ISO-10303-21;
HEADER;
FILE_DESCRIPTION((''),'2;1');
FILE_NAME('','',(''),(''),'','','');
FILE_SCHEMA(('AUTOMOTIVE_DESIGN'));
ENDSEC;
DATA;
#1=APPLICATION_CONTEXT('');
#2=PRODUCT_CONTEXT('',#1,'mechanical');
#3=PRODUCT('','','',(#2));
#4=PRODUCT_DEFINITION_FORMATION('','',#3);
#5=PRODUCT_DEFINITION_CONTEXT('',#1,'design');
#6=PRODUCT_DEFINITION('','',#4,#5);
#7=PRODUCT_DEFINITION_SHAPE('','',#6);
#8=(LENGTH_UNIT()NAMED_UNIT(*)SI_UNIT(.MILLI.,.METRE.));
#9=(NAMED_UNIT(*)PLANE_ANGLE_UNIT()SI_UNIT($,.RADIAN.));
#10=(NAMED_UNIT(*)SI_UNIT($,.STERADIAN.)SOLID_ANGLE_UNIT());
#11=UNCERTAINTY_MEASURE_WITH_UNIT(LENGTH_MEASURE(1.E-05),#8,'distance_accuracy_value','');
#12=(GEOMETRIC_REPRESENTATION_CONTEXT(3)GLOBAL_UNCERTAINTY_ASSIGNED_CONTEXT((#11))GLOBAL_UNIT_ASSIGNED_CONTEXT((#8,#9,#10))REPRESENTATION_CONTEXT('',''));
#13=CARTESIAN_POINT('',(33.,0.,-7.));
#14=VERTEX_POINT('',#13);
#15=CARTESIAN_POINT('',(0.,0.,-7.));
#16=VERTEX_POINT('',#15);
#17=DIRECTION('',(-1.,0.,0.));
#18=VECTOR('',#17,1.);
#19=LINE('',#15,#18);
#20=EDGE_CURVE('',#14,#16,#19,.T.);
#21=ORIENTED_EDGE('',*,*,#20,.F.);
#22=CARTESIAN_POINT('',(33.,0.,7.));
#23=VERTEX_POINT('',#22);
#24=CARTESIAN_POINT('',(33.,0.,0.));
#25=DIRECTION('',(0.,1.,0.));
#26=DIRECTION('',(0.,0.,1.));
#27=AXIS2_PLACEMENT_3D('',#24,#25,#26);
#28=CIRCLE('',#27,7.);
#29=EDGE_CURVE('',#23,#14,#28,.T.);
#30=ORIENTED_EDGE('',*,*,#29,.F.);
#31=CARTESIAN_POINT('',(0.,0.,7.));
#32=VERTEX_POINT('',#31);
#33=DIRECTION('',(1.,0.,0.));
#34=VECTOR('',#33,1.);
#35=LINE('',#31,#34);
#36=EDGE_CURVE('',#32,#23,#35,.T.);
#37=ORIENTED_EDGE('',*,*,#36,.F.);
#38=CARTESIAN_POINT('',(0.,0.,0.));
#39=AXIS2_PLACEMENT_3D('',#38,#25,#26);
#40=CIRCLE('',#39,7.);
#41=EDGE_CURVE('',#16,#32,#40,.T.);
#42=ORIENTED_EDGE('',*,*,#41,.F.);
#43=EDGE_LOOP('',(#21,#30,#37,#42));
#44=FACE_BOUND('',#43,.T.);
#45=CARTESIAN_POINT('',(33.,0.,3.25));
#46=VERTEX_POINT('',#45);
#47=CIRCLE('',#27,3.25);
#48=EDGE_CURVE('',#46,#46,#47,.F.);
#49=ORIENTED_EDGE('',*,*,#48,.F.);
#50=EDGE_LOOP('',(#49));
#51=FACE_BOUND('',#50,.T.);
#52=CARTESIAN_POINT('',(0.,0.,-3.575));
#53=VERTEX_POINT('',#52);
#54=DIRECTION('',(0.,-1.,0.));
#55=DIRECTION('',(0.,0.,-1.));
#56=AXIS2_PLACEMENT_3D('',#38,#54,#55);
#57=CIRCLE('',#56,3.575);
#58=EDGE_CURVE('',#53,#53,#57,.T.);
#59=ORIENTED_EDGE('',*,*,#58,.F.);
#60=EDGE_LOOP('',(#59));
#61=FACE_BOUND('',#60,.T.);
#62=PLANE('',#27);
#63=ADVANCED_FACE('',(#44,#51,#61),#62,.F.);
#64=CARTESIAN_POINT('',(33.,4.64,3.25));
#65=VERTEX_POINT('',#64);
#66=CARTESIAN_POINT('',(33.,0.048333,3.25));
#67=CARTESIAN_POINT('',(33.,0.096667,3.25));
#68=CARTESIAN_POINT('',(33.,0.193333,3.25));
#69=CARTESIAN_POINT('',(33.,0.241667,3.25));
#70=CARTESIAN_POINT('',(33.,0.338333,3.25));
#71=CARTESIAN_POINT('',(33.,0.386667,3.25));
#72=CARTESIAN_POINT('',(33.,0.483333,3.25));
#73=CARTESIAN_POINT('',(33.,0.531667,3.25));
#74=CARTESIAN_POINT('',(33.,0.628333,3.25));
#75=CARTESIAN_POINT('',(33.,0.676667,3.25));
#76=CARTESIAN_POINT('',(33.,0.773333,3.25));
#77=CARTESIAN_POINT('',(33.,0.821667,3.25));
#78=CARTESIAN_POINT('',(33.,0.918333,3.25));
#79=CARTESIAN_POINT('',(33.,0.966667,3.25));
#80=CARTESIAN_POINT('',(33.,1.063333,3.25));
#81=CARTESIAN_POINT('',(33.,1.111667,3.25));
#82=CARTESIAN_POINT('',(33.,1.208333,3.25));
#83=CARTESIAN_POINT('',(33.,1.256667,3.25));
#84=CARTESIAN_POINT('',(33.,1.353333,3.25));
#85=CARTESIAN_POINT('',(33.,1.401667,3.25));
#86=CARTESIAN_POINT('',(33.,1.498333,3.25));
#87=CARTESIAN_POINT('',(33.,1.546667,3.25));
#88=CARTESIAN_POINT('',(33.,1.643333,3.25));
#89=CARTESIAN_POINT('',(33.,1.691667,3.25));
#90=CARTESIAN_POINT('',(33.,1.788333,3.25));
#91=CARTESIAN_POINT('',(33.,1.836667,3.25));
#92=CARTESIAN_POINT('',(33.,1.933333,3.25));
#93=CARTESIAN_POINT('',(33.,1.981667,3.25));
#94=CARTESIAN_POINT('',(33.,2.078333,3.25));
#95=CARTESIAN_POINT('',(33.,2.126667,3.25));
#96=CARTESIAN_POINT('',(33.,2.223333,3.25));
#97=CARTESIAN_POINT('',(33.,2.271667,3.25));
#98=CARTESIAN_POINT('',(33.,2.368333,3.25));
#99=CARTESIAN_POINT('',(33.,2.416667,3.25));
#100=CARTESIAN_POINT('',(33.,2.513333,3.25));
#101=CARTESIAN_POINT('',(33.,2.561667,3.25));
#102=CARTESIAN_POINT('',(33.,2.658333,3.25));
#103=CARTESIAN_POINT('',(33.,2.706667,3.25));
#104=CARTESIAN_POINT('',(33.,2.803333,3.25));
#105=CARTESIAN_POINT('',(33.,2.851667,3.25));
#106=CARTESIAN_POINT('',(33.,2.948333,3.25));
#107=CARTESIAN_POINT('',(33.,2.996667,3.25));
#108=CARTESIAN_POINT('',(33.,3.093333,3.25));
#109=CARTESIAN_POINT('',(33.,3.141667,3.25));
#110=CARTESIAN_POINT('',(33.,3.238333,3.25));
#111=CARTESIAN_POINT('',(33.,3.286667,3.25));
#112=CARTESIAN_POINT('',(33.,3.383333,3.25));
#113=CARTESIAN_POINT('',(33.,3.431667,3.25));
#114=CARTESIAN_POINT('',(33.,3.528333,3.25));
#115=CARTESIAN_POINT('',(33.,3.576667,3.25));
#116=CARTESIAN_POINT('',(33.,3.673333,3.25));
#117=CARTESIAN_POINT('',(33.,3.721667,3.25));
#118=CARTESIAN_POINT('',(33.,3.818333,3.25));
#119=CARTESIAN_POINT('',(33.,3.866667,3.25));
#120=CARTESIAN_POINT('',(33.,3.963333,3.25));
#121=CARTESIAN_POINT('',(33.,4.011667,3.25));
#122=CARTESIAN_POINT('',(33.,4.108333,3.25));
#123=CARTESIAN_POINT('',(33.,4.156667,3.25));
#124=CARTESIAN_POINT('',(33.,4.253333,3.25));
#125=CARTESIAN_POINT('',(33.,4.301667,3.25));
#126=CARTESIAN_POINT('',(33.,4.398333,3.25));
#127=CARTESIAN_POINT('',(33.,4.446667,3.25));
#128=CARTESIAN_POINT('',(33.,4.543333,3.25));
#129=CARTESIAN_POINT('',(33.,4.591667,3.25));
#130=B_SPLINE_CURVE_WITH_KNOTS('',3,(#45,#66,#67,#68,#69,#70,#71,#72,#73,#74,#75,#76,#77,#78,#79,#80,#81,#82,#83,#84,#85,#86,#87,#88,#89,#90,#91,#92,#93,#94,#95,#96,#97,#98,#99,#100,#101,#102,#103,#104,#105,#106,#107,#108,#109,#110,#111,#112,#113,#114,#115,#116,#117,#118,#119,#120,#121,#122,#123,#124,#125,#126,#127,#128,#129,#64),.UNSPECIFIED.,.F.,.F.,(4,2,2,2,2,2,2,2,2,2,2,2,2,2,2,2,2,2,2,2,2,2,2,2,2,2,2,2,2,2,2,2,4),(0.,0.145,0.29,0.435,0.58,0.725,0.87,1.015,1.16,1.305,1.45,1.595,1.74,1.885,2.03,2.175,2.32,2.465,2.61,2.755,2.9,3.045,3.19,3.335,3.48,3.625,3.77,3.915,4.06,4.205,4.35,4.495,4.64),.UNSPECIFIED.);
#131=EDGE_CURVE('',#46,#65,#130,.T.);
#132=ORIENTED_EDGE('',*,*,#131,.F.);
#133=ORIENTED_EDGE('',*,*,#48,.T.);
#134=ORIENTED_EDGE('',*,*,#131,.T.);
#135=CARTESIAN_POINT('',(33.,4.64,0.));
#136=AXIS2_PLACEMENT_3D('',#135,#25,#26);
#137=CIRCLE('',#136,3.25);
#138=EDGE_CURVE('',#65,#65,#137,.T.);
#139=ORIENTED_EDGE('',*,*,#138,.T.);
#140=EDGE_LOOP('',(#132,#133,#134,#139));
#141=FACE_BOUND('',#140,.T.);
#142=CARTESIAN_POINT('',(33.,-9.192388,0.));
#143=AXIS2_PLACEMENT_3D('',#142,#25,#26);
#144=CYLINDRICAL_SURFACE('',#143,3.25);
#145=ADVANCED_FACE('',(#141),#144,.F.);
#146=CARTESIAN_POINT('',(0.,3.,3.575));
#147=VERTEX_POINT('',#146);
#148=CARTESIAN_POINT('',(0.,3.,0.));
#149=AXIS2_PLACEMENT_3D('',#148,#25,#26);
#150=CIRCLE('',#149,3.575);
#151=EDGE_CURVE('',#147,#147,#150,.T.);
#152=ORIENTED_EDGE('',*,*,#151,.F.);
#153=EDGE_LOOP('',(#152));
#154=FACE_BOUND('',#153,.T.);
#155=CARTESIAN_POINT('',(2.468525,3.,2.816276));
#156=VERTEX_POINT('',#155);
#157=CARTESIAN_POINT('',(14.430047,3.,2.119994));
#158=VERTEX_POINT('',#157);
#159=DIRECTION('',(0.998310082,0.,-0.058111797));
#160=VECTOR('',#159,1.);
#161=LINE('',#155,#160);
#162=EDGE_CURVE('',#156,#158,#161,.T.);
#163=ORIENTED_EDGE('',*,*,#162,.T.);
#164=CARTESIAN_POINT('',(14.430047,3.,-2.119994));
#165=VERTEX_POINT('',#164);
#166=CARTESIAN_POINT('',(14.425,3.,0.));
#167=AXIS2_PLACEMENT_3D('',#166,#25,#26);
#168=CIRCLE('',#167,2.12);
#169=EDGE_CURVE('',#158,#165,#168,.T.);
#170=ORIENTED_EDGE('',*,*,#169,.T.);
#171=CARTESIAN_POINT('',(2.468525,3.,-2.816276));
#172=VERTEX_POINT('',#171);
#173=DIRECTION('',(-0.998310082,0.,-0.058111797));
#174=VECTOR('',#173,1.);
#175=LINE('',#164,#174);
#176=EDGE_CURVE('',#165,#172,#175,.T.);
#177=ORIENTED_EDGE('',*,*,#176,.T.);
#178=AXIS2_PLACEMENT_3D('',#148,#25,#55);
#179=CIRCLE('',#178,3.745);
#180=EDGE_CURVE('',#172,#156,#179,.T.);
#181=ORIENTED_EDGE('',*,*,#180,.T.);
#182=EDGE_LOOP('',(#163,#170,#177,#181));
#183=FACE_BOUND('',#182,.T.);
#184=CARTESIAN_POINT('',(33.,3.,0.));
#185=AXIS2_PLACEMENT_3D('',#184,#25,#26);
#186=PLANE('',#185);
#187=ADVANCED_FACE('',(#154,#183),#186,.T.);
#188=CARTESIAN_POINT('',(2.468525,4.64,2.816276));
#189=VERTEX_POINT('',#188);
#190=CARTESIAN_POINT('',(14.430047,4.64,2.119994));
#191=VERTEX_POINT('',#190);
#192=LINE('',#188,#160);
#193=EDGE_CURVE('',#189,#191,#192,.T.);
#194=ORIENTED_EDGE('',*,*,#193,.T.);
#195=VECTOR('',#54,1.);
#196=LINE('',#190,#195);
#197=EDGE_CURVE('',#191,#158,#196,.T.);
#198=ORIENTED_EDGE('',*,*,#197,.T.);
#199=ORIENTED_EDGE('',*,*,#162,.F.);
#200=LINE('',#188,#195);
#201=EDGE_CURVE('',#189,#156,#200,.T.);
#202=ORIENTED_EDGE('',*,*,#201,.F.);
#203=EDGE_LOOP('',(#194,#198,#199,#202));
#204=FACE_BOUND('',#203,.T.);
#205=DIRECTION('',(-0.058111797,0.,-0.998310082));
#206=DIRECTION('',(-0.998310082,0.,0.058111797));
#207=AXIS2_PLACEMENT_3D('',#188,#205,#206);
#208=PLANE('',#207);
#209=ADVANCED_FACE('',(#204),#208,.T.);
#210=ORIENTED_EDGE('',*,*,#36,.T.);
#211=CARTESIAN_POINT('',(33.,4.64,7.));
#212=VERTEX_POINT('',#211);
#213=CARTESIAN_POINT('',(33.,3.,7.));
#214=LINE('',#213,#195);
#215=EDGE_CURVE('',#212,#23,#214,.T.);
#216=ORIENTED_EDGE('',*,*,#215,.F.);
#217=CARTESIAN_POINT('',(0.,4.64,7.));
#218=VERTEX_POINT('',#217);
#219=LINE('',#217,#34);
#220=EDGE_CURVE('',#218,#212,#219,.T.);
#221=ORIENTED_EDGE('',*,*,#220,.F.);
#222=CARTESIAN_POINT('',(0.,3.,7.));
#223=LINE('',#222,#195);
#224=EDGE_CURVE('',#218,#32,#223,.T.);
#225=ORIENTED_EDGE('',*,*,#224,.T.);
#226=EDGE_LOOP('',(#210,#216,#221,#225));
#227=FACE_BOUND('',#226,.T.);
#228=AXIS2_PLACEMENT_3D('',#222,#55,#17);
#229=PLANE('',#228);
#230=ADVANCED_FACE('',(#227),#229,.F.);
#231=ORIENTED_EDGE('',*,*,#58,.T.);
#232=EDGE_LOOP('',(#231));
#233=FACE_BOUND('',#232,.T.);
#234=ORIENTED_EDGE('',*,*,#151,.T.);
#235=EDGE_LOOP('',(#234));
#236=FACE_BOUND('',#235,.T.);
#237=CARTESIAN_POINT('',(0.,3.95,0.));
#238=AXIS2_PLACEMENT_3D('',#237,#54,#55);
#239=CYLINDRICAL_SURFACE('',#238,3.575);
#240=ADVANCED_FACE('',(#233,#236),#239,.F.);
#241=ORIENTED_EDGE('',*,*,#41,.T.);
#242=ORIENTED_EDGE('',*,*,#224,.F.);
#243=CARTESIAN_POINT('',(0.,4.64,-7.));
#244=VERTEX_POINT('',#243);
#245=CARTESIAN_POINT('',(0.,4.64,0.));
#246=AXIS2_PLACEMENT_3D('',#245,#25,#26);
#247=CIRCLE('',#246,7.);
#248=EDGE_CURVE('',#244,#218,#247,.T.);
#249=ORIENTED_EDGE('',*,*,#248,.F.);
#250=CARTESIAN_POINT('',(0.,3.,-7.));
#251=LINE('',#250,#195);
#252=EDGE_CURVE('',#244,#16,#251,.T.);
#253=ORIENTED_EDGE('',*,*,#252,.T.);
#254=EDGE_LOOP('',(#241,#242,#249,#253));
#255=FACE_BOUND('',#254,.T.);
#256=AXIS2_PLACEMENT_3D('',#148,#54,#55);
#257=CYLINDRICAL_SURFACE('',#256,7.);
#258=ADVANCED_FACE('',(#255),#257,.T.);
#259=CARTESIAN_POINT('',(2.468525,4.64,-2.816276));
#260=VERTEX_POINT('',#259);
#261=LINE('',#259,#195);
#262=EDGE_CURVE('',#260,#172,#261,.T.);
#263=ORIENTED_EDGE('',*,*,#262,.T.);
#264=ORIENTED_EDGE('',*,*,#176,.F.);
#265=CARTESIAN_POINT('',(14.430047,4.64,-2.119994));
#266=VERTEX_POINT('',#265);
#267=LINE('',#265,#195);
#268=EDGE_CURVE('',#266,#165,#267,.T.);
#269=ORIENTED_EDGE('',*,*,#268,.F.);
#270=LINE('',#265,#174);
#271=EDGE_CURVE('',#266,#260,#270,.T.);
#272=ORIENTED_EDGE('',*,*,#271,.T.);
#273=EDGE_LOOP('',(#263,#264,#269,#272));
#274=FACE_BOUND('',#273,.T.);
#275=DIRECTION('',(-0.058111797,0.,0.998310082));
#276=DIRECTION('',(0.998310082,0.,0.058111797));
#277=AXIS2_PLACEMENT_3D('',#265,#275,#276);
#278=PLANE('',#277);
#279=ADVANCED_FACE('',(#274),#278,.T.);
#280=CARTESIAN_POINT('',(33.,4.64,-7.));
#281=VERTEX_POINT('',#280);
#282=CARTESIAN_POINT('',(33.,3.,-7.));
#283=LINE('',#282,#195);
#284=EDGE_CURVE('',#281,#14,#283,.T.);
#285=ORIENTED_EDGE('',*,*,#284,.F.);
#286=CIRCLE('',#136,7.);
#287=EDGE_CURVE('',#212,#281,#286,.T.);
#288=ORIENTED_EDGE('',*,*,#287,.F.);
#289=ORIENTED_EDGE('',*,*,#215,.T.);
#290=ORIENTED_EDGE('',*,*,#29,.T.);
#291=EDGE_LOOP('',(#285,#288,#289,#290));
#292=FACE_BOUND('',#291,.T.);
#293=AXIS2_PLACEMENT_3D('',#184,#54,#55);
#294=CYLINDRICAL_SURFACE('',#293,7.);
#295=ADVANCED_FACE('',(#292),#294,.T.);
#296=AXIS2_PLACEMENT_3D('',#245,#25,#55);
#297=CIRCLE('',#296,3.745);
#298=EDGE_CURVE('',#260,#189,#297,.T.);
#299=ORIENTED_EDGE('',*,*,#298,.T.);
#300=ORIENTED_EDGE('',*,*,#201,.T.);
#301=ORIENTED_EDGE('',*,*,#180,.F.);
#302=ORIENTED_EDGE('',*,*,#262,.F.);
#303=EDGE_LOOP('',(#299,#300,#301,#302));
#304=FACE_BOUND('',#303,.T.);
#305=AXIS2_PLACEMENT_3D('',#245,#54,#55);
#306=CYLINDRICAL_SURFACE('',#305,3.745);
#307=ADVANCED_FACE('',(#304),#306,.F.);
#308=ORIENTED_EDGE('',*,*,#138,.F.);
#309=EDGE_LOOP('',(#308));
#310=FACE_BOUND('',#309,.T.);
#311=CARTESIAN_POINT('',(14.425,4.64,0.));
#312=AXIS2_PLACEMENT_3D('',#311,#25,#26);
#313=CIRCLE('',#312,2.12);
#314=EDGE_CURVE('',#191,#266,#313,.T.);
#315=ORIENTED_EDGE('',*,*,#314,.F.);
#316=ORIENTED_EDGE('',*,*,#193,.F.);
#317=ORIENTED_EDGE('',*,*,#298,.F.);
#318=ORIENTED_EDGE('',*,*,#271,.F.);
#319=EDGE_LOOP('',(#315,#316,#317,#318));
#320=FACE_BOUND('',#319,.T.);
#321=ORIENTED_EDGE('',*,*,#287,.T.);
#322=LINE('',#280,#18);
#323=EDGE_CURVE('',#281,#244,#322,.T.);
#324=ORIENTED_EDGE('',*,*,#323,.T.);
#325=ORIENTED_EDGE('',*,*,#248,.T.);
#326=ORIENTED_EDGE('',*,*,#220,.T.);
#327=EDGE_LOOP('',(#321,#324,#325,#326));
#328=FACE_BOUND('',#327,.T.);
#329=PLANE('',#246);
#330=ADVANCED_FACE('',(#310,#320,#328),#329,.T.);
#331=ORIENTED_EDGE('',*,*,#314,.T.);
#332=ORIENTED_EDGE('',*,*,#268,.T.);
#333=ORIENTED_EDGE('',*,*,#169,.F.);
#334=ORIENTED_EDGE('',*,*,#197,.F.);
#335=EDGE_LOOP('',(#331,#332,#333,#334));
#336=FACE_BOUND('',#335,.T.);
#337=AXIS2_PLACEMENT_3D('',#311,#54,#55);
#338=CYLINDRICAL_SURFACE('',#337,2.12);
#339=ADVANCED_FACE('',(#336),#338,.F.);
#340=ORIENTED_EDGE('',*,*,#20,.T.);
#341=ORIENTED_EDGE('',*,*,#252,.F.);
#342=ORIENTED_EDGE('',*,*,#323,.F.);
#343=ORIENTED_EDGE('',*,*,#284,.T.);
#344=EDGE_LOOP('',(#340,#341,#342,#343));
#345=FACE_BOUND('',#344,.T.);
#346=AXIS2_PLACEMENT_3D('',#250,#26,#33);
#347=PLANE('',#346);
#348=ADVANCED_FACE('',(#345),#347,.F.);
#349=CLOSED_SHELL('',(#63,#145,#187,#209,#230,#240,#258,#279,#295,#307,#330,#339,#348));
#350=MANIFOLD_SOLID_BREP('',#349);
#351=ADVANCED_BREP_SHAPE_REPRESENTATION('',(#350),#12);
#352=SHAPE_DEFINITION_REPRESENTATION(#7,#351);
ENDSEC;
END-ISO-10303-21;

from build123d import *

# Parameters (mm, degrees)
BOSS_EXTRUDE1_DEPTH = 3
SKETCH2_R           = 3.575
CUT_EXTRUDE1_DEPTH  = 3.95
BOSS_EXTRUDE2_DEPTH = 1.64
SKETCH4_R           = 3.25
CUT_EXTRUDE2_DEPTH  = 4.64


with BuildPart() as part:
    # Sketch1 → Boss-Extrude1 (new body)
    with BuildSketch(Plane(origin=(0, 0, 0), x_dir=(1, 0, 0), z_dir=(0, 1, 0))):
        with BuildLine():
            Line((0, 7), (33, 7))
            ThreePointArc((33, 7), (40, 0), (33, -7))
            Line((33, -7), (0, -7))
            ThreePointArc((0, -7), (-7, 0), (0, 7))
        make_face()
    extrude(amount=BOSS_EXTRUDE1_DEPTH)

    # Sketch2 → Cut-Extrude1 (cut)
    with BuildSketch(Plane.XZ):
        with Locations(Location((0, 0, 0), (0, 0, 270))):
            Circle(SKETCH2_R)
    extrude(amount=-CUT_EXTRUDE1_DEPTH, mode=Mode.SUBTRACT)

    # Sketch3 → Boss-Extrude2 (add)
    with BuildSketch(Plane(origin=(0, 3, 0), x_dir=(1, 0, 0), z_dir=(0, 1, 0))):
        with BuildLine():
            Line((0, -7), (33, -7))
            ThreePointArc((33, -7), (40, 0), (33, 7))
            Line((33, 7), (0, 7))
            ThreePointArc((0, 7), (-7, 0), (0, -7))
        make_face()
        with BuildLine():
            Line((14.43004688, 2.119993993), (2.468524523, 2.816276208))
            ThreePointArc((2.468524523, 2.816276208), (-3.745, 0), (2.468524523, -2.816276208))
            Line((2.468524523, -2.816276208), (14.43004688, -2.119993993))
            ThreePointArc((14.43004688, -2.119993993), (16.545, 0), (14.43004688, 2.119993993))
        make_face(mode=Mode.SUBTRACT)
    extrude(amount=BOSS_EXTRUDE2_DEPTH)

    # Sketch4 → Cut-Extrude2 (cut)
    with BuildSketch(Plane(origin=(0, 4.64, 0), x_dir=(1, 0, 0), z_dir=(0, 1, 0))):
        with Locations(Location((33, 0, 0), (0, 0, 270))):
            Circle(SKETCH4_R)
    extrude(amount=-CUT_EXTRUDE2_DEPTH, mode=Mode.SUBTRACT)


solid = part.part
